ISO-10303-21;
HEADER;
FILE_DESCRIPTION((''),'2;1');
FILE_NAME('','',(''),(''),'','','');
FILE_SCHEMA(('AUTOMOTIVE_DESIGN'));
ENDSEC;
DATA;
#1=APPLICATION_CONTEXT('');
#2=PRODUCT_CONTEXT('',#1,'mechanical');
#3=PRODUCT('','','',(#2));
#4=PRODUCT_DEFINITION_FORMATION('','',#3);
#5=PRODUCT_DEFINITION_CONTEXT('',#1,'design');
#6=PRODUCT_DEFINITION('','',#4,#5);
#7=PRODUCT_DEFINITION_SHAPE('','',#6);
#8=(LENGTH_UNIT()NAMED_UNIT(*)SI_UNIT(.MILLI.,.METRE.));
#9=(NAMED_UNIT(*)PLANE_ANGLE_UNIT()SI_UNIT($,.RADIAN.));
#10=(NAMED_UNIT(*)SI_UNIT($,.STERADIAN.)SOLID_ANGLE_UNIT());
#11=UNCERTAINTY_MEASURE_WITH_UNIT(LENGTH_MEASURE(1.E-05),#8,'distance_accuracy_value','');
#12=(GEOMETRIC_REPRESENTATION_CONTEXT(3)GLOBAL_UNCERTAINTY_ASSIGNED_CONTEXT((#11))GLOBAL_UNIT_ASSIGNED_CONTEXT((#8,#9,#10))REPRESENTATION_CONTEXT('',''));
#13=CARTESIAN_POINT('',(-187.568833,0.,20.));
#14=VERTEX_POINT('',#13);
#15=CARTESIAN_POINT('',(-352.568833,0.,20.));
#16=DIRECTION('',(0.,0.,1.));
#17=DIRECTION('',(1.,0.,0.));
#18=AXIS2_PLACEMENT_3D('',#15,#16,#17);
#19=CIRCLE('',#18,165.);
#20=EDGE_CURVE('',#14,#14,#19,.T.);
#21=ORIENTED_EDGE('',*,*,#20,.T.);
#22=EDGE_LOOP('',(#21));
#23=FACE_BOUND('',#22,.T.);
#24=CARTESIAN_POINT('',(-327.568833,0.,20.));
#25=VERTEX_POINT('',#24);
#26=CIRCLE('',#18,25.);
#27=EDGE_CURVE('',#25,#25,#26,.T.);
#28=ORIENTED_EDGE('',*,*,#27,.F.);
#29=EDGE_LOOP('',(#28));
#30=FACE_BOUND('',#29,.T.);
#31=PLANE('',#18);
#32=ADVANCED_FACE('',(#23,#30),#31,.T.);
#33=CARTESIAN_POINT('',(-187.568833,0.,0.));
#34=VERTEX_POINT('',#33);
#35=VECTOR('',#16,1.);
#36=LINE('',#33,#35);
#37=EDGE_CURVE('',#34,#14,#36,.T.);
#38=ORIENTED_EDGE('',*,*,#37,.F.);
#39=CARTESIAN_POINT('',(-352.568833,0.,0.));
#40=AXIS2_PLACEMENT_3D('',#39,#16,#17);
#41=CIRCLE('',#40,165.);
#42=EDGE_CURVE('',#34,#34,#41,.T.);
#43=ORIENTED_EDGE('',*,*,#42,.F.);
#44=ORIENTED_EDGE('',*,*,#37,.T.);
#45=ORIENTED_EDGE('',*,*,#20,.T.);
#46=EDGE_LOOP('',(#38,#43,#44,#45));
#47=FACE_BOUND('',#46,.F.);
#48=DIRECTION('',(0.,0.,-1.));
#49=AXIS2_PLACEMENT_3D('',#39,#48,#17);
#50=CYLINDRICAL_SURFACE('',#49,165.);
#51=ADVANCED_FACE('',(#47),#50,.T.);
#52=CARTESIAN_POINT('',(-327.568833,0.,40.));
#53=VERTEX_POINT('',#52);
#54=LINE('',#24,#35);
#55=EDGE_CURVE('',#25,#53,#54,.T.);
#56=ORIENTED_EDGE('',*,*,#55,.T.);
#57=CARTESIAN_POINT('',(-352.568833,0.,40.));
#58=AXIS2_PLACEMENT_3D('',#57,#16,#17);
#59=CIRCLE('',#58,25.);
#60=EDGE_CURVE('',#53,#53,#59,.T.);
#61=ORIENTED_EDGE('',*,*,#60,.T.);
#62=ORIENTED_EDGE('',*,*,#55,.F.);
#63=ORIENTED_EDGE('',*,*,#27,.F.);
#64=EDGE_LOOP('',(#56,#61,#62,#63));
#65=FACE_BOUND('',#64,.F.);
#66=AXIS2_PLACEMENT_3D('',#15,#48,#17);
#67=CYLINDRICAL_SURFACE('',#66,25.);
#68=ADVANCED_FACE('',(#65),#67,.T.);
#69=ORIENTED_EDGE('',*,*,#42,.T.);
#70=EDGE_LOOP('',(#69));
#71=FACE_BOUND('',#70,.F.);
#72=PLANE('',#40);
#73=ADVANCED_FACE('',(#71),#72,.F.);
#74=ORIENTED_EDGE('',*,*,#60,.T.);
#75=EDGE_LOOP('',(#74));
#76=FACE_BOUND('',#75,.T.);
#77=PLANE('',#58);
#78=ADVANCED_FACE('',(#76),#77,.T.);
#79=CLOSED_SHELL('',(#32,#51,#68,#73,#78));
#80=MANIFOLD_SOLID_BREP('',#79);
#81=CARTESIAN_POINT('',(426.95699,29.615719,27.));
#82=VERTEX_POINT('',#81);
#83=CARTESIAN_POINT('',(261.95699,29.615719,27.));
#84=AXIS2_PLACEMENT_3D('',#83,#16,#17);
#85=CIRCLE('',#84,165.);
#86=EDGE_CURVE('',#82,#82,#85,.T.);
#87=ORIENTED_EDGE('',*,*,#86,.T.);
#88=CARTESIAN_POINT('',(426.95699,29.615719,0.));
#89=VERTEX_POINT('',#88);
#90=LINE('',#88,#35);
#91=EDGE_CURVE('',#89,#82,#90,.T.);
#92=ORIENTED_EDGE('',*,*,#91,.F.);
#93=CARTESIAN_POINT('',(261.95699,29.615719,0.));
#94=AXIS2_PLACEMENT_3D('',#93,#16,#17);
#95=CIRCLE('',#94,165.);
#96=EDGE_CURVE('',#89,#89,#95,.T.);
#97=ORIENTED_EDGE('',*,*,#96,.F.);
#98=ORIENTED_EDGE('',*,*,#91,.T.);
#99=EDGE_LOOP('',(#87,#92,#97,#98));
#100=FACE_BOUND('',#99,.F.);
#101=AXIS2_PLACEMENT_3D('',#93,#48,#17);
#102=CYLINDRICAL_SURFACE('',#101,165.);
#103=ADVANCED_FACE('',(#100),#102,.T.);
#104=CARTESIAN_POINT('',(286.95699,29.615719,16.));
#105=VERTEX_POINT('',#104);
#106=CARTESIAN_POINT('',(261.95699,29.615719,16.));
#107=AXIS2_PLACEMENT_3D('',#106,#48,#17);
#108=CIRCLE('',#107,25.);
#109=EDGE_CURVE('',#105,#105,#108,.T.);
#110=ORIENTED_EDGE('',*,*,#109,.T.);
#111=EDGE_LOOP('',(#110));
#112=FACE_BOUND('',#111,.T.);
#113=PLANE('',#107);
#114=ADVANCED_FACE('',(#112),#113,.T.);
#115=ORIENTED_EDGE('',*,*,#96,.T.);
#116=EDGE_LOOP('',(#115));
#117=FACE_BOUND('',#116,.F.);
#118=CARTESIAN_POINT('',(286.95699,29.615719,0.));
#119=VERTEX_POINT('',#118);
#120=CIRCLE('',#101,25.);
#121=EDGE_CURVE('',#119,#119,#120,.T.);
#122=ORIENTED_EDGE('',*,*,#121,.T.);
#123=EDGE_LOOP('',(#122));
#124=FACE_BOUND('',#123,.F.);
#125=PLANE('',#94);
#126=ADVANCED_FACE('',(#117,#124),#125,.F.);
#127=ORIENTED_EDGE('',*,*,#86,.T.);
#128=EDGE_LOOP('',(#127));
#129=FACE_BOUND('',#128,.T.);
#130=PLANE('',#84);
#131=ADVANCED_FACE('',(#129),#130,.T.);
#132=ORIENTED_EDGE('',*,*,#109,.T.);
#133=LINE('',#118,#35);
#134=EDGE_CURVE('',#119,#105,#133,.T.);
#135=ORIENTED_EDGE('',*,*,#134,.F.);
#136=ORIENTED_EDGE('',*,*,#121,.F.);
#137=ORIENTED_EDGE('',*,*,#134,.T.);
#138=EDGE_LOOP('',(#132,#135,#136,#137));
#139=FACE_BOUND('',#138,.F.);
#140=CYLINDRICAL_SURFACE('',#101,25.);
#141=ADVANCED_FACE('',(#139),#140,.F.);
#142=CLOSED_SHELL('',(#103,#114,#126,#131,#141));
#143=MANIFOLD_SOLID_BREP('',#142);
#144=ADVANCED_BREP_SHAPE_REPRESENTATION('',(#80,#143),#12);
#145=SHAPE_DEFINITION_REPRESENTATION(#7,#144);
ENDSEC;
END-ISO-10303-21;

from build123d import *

# Parameters (mm, degrees)
F0_R     = 165
F1_DEPTH = 20
F2_R     = 165
F3_DEPTH = 27
F4_R     = 25
F5_DEPTH = 20
F6_R     = 25
F7_DEPTH = 16


with BuildPart() as f1:
    # F0 (on Top) → F1 (new body)
    with BuildSketch(Plane.XY):
        with Locations((-352.568833, 0)):
            Circle(F0_R)
    extrude(amount=F1_DEPTH)

    # F4 (on face) → F5 (join)
    with BuildSketch(Plane.XY.offset(20)):
        with Locations((-352.568833, 0)):
            Circle(F4_R)
    extrude(amount=F5_DEPTH)


with BuildPart() as f3:
    # F2 (on Top) → F3 (new body)
    with BuildSketch(Plane.XY):
        with Locations((261.95699, 29.615719)):
            Circle(F2_R)
    extrude(amount=F3_DEPTH)

    # F6 (on face) → F7 (cut)
    with BuildSketch(Plane(origin=(0, 0, 0), x_dir=(1, 0, 0), z_dir=(0, 0, -1))):
        with Locations((261.95699, -29.615719)):
            Circle(F6_R)
    extrude(amount=-F7_DEPTH, mode=Mode.SUBTRACT)


solid = Compound([f1.part, f3.part])
